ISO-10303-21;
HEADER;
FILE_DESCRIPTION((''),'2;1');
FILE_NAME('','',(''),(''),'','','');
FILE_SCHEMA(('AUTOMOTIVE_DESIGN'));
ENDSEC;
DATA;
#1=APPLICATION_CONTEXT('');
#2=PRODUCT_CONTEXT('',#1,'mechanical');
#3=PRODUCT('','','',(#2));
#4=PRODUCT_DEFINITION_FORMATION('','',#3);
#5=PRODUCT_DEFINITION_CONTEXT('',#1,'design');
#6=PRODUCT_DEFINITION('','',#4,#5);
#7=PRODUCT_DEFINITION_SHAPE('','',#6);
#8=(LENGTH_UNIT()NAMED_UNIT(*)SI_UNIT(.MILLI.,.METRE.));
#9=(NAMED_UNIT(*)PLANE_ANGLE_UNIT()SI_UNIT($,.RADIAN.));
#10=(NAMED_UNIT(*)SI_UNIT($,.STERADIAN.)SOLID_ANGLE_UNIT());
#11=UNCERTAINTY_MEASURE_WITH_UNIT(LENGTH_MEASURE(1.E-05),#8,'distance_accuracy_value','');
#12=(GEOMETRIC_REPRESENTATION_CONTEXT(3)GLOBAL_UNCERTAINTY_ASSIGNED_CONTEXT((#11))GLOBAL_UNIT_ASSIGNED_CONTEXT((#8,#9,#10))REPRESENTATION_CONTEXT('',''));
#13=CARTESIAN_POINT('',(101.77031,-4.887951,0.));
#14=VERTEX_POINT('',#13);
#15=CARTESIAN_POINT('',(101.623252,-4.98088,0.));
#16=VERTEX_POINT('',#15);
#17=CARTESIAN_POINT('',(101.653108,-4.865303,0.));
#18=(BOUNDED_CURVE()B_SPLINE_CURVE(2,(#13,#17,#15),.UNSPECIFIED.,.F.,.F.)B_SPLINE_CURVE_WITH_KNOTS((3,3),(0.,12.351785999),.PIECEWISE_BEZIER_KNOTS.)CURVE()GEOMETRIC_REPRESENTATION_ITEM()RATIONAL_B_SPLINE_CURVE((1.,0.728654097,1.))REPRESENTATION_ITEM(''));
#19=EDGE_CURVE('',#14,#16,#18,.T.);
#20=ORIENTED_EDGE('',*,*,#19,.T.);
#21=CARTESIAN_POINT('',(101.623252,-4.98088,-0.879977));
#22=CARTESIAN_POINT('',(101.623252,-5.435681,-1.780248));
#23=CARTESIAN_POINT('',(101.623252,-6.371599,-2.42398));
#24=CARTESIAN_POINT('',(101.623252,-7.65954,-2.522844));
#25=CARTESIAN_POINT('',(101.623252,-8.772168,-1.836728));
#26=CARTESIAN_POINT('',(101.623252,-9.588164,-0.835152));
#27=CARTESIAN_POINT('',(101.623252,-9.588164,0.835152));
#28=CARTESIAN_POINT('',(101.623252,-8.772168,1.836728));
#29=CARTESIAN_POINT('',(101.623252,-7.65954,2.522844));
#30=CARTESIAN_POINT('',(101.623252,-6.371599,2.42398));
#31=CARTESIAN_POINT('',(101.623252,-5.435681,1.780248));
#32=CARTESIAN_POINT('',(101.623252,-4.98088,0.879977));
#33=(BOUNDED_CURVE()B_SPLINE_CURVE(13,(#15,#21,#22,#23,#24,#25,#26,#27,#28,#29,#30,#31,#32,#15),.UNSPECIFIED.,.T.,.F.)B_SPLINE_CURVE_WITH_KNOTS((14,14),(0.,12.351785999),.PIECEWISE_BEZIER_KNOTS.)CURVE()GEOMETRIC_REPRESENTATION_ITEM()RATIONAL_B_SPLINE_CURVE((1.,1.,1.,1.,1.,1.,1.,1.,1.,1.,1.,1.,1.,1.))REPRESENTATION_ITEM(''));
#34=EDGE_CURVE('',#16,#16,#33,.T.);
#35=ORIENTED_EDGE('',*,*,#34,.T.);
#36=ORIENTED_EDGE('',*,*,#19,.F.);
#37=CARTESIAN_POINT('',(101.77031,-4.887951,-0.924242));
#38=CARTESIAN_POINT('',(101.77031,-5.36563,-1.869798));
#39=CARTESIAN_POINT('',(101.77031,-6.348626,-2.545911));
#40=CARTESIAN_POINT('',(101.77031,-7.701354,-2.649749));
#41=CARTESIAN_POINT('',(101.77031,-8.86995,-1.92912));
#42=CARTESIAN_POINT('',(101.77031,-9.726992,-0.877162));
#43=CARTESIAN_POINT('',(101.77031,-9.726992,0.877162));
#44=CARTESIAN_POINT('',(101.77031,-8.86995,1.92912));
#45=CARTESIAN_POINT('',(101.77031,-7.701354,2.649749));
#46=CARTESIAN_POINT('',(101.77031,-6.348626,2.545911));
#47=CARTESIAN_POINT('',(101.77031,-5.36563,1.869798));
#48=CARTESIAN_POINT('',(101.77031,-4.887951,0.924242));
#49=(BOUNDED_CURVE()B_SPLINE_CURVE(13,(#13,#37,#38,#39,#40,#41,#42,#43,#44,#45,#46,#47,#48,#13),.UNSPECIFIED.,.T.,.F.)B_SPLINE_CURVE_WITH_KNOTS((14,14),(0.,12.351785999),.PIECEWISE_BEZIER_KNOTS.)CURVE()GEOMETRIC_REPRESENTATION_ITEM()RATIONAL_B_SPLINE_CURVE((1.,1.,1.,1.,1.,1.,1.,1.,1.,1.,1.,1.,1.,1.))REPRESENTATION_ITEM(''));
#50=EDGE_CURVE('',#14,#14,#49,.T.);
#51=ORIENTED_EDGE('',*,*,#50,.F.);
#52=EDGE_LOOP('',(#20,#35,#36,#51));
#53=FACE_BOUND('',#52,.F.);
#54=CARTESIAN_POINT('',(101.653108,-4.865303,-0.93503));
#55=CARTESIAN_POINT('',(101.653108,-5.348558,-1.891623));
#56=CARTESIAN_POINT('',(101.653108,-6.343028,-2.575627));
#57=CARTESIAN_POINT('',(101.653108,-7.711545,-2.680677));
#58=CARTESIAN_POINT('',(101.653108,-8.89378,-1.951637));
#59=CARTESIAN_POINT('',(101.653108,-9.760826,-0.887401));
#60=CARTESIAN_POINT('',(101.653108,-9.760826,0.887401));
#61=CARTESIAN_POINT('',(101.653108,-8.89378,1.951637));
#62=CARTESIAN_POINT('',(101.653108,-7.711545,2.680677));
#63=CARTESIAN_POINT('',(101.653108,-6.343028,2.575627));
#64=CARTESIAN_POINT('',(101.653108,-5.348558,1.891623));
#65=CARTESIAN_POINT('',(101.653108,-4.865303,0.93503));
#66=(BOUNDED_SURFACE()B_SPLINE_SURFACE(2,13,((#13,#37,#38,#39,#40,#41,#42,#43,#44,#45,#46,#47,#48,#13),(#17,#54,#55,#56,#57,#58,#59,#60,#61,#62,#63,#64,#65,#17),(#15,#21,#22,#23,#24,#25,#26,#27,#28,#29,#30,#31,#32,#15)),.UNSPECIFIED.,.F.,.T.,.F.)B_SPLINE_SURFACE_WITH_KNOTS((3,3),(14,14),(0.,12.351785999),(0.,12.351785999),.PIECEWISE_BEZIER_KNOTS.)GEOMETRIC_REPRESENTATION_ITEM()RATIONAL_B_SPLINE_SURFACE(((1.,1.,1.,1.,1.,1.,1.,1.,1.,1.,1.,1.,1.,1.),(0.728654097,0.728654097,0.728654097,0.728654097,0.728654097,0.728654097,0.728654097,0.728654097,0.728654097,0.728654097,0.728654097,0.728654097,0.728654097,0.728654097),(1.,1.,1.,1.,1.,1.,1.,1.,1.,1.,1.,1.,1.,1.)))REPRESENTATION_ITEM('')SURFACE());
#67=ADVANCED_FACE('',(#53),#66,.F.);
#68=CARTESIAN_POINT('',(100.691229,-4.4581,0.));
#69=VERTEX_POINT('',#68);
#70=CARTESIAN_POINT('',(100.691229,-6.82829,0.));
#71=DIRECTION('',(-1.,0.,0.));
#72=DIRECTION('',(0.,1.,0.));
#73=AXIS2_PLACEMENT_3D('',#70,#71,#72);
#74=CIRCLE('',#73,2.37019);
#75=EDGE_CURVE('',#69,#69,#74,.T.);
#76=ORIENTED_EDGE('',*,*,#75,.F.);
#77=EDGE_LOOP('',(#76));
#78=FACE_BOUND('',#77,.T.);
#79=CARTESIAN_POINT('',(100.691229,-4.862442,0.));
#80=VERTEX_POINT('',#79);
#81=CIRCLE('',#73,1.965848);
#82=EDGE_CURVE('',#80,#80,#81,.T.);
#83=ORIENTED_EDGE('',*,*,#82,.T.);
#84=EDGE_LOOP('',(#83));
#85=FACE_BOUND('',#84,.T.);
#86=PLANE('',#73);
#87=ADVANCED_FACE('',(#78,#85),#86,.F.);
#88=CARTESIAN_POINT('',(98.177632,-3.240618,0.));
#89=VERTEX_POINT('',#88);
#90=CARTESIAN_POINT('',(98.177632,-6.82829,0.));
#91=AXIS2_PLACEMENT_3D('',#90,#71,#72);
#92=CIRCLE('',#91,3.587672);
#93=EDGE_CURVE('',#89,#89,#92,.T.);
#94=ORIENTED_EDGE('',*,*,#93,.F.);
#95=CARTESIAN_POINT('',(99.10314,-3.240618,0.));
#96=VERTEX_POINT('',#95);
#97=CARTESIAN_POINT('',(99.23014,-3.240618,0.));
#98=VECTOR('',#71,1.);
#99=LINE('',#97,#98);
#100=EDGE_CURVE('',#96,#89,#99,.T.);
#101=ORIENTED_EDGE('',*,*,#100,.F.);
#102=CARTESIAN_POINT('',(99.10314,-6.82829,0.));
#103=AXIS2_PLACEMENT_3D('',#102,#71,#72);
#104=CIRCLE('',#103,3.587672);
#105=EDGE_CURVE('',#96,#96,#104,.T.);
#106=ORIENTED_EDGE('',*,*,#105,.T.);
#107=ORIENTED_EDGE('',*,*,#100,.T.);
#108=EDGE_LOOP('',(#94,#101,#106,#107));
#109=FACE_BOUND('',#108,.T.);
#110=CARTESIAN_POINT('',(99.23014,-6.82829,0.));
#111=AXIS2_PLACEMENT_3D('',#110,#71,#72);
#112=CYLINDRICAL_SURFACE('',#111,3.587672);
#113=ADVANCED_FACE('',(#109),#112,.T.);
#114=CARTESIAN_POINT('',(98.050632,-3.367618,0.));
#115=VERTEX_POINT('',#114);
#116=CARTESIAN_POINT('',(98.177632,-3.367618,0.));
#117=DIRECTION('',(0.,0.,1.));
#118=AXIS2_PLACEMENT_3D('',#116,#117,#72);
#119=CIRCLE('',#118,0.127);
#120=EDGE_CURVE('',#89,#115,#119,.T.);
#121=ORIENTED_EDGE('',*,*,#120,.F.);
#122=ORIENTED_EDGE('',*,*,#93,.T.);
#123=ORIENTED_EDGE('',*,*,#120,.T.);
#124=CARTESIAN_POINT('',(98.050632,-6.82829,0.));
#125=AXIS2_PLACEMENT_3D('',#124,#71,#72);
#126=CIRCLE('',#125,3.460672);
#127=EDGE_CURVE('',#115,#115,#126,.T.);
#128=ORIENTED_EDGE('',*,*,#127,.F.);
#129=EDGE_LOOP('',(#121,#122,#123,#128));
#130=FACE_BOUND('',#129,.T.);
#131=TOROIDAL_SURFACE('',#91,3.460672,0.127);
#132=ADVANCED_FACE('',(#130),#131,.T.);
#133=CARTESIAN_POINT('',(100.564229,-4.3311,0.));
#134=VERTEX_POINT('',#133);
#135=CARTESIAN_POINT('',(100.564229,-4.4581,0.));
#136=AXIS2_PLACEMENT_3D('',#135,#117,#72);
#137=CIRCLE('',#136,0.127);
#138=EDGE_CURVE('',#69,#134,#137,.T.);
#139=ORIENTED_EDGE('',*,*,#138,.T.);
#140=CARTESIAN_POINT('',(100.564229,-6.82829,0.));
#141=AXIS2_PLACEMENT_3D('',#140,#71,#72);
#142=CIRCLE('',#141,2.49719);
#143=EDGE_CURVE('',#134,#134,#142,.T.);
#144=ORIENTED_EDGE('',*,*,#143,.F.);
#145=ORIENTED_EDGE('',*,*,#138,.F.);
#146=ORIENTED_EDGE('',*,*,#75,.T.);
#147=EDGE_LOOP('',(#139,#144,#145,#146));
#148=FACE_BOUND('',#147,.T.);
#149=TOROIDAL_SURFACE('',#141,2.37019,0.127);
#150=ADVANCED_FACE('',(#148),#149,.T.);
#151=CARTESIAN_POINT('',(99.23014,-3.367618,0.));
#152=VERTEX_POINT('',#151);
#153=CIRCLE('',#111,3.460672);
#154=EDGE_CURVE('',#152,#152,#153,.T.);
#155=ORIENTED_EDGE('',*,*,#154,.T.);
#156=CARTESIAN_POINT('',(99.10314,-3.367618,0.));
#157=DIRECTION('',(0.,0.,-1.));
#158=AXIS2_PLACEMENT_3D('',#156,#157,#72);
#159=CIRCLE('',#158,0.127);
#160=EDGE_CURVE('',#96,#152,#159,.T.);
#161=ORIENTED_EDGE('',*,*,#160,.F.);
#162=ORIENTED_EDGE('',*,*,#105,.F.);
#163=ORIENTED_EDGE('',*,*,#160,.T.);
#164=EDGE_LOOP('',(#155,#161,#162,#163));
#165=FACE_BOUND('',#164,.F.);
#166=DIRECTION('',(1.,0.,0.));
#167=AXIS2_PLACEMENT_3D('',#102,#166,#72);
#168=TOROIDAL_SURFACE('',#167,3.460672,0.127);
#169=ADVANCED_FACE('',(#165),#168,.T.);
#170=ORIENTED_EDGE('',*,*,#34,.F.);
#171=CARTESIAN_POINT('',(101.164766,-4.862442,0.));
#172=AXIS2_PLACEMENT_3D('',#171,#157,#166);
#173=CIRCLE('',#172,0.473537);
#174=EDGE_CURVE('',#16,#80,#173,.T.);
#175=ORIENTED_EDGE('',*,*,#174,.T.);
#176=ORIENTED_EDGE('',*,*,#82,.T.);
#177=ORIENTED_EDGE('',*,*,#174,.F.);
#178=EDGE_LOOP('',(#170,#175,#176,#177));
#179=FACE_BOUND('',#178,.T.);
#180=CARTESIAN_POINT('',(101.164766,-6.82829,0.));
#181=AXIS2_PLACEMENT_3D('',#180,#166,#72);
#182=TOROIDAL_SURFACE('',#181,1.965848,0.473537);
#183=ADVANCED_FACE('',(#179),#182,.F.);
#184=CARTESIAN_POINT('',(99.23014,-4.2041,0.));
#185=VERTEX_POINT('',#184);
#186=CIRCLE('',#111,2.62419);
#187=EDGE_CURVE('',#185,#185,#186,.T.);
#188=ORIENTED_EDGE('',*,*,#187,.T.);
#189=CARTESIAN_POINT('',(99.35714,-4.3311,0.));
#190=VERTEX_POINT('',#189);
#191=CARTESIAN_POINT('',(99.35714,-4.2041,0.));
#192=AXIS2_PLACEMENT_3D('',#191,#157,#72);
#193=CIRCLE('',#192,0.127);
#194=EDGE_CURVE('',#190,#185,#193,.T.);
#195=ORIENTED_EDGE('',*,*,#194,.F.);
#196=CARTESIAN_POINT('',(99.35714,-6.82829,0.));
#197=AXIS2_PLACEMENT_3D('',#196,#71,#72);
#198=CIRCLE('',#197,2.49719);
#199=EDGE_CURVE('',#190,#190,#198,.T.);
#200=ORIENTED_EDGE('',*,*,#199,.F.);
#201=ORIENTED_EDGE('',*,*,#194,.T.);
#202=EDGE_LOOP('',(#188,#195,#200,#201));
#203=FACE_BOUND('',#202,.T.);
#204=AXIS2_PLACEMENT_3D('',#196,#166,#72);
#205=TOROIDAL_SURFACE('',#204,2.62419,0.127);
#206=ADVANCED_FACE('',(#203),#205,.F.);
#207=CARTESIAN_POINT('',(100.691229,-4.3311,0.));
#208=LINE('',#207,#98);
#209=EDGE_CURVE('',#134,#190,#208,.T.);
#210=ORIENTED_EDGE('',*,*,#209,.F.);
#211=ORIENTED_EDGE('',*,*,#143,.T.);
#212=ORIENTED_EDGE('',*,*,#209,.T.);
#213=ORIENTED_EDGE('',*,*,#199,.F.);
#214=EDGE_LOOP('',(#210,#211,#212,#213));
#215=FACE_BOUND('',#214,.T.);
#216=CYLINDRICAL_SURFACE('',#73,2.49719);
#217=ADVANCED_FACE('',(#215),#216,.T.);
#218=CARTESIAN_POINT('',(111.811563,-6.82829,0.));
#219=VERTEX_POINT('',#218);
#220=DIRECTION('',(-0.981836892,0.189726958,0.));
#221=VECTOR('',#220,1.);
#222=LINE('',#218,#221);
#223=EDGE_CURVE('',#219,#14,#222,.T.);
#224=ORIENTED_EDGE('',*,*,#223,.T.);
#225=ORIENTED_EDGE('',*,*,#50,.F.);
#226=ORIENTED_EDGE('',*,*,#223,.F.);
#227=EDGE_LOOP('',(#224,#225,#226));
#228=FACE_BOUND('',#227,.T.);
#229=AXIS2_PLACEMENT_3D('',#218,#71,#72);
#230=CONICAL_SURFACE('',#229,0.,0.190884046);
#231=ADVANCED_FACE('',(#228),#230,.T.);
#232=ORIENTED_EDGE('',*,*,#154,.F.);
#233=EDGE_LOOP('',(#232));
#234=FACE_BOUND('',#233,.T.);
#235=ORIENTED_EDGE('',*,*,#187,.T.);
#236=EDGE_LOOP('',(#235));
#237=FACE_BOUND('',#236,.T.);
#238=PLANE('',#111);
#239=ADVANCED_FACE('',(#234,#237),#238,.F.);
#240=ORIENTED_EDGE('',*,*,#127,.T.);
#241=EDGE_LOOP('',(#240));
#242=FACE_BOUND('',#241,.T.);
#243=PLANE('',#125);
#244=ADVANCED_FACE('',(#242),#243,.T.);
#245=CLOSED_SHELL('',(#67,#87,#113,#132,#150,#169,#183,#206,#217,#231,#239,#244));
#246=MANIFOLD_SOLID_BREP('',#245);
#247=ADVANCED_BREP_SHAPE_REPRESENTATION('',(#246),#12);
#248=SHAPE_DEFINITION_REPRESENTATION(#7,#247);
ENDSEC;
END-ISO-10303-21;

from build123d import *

# Parameters (mm, degrees)
F2_R = 0.127


with BuildPart() as f1:
    # F0 (on Top) → F1 (revolve)
    with BuildSketch(Plane.XY):
        with BuildLine():
            Line((99.2301404476, -3.2406176906), (98.0506315827, -3.2406176906))
            Line((98.0506315827, -3.2406176906), (98.0506315827, -6.8282899447))
            Line((98.0506315827, -6.8282899447), (111.8115633726, -6.8282899447))
            Line((111.8115633726, -6.8282899447), (101.638302207, -4.862442147))
            ThreePointArc((101.638302207, -4.862442147), (101.164765656, -5.335978698), (100.691229105, -4.862442147))
            Line((100.691229105, -4.862442147), (100.691229105, -4.3311002664))
            Line((100.691229105, -4.3311002664), (99.2301404476, -4.3311002664))
            Line((99.2301404476, -4.3311002664), (99.2301404476, -3.2406176906))
        make_face()
    revolve(axis=Axis((102.0068973303, -6.8282899447, 0), (-1, 0, 0)))

    # F2
    f2_edges = [f1.edges().sort_by_distance(p)[0] for p in [
        (99.23014, -10.415962, 0),
        (98.050632, -10.415962, 0),
        (98.640386, -3.240618, 0),
        (100.691229, -9.32548, 0),
        (101.638302, -8.794138, 0),
        (99.23014, -9.32548, 0),
    ]]
    fillet(f2_edges, radius=F2_R)


solid = f1.part
